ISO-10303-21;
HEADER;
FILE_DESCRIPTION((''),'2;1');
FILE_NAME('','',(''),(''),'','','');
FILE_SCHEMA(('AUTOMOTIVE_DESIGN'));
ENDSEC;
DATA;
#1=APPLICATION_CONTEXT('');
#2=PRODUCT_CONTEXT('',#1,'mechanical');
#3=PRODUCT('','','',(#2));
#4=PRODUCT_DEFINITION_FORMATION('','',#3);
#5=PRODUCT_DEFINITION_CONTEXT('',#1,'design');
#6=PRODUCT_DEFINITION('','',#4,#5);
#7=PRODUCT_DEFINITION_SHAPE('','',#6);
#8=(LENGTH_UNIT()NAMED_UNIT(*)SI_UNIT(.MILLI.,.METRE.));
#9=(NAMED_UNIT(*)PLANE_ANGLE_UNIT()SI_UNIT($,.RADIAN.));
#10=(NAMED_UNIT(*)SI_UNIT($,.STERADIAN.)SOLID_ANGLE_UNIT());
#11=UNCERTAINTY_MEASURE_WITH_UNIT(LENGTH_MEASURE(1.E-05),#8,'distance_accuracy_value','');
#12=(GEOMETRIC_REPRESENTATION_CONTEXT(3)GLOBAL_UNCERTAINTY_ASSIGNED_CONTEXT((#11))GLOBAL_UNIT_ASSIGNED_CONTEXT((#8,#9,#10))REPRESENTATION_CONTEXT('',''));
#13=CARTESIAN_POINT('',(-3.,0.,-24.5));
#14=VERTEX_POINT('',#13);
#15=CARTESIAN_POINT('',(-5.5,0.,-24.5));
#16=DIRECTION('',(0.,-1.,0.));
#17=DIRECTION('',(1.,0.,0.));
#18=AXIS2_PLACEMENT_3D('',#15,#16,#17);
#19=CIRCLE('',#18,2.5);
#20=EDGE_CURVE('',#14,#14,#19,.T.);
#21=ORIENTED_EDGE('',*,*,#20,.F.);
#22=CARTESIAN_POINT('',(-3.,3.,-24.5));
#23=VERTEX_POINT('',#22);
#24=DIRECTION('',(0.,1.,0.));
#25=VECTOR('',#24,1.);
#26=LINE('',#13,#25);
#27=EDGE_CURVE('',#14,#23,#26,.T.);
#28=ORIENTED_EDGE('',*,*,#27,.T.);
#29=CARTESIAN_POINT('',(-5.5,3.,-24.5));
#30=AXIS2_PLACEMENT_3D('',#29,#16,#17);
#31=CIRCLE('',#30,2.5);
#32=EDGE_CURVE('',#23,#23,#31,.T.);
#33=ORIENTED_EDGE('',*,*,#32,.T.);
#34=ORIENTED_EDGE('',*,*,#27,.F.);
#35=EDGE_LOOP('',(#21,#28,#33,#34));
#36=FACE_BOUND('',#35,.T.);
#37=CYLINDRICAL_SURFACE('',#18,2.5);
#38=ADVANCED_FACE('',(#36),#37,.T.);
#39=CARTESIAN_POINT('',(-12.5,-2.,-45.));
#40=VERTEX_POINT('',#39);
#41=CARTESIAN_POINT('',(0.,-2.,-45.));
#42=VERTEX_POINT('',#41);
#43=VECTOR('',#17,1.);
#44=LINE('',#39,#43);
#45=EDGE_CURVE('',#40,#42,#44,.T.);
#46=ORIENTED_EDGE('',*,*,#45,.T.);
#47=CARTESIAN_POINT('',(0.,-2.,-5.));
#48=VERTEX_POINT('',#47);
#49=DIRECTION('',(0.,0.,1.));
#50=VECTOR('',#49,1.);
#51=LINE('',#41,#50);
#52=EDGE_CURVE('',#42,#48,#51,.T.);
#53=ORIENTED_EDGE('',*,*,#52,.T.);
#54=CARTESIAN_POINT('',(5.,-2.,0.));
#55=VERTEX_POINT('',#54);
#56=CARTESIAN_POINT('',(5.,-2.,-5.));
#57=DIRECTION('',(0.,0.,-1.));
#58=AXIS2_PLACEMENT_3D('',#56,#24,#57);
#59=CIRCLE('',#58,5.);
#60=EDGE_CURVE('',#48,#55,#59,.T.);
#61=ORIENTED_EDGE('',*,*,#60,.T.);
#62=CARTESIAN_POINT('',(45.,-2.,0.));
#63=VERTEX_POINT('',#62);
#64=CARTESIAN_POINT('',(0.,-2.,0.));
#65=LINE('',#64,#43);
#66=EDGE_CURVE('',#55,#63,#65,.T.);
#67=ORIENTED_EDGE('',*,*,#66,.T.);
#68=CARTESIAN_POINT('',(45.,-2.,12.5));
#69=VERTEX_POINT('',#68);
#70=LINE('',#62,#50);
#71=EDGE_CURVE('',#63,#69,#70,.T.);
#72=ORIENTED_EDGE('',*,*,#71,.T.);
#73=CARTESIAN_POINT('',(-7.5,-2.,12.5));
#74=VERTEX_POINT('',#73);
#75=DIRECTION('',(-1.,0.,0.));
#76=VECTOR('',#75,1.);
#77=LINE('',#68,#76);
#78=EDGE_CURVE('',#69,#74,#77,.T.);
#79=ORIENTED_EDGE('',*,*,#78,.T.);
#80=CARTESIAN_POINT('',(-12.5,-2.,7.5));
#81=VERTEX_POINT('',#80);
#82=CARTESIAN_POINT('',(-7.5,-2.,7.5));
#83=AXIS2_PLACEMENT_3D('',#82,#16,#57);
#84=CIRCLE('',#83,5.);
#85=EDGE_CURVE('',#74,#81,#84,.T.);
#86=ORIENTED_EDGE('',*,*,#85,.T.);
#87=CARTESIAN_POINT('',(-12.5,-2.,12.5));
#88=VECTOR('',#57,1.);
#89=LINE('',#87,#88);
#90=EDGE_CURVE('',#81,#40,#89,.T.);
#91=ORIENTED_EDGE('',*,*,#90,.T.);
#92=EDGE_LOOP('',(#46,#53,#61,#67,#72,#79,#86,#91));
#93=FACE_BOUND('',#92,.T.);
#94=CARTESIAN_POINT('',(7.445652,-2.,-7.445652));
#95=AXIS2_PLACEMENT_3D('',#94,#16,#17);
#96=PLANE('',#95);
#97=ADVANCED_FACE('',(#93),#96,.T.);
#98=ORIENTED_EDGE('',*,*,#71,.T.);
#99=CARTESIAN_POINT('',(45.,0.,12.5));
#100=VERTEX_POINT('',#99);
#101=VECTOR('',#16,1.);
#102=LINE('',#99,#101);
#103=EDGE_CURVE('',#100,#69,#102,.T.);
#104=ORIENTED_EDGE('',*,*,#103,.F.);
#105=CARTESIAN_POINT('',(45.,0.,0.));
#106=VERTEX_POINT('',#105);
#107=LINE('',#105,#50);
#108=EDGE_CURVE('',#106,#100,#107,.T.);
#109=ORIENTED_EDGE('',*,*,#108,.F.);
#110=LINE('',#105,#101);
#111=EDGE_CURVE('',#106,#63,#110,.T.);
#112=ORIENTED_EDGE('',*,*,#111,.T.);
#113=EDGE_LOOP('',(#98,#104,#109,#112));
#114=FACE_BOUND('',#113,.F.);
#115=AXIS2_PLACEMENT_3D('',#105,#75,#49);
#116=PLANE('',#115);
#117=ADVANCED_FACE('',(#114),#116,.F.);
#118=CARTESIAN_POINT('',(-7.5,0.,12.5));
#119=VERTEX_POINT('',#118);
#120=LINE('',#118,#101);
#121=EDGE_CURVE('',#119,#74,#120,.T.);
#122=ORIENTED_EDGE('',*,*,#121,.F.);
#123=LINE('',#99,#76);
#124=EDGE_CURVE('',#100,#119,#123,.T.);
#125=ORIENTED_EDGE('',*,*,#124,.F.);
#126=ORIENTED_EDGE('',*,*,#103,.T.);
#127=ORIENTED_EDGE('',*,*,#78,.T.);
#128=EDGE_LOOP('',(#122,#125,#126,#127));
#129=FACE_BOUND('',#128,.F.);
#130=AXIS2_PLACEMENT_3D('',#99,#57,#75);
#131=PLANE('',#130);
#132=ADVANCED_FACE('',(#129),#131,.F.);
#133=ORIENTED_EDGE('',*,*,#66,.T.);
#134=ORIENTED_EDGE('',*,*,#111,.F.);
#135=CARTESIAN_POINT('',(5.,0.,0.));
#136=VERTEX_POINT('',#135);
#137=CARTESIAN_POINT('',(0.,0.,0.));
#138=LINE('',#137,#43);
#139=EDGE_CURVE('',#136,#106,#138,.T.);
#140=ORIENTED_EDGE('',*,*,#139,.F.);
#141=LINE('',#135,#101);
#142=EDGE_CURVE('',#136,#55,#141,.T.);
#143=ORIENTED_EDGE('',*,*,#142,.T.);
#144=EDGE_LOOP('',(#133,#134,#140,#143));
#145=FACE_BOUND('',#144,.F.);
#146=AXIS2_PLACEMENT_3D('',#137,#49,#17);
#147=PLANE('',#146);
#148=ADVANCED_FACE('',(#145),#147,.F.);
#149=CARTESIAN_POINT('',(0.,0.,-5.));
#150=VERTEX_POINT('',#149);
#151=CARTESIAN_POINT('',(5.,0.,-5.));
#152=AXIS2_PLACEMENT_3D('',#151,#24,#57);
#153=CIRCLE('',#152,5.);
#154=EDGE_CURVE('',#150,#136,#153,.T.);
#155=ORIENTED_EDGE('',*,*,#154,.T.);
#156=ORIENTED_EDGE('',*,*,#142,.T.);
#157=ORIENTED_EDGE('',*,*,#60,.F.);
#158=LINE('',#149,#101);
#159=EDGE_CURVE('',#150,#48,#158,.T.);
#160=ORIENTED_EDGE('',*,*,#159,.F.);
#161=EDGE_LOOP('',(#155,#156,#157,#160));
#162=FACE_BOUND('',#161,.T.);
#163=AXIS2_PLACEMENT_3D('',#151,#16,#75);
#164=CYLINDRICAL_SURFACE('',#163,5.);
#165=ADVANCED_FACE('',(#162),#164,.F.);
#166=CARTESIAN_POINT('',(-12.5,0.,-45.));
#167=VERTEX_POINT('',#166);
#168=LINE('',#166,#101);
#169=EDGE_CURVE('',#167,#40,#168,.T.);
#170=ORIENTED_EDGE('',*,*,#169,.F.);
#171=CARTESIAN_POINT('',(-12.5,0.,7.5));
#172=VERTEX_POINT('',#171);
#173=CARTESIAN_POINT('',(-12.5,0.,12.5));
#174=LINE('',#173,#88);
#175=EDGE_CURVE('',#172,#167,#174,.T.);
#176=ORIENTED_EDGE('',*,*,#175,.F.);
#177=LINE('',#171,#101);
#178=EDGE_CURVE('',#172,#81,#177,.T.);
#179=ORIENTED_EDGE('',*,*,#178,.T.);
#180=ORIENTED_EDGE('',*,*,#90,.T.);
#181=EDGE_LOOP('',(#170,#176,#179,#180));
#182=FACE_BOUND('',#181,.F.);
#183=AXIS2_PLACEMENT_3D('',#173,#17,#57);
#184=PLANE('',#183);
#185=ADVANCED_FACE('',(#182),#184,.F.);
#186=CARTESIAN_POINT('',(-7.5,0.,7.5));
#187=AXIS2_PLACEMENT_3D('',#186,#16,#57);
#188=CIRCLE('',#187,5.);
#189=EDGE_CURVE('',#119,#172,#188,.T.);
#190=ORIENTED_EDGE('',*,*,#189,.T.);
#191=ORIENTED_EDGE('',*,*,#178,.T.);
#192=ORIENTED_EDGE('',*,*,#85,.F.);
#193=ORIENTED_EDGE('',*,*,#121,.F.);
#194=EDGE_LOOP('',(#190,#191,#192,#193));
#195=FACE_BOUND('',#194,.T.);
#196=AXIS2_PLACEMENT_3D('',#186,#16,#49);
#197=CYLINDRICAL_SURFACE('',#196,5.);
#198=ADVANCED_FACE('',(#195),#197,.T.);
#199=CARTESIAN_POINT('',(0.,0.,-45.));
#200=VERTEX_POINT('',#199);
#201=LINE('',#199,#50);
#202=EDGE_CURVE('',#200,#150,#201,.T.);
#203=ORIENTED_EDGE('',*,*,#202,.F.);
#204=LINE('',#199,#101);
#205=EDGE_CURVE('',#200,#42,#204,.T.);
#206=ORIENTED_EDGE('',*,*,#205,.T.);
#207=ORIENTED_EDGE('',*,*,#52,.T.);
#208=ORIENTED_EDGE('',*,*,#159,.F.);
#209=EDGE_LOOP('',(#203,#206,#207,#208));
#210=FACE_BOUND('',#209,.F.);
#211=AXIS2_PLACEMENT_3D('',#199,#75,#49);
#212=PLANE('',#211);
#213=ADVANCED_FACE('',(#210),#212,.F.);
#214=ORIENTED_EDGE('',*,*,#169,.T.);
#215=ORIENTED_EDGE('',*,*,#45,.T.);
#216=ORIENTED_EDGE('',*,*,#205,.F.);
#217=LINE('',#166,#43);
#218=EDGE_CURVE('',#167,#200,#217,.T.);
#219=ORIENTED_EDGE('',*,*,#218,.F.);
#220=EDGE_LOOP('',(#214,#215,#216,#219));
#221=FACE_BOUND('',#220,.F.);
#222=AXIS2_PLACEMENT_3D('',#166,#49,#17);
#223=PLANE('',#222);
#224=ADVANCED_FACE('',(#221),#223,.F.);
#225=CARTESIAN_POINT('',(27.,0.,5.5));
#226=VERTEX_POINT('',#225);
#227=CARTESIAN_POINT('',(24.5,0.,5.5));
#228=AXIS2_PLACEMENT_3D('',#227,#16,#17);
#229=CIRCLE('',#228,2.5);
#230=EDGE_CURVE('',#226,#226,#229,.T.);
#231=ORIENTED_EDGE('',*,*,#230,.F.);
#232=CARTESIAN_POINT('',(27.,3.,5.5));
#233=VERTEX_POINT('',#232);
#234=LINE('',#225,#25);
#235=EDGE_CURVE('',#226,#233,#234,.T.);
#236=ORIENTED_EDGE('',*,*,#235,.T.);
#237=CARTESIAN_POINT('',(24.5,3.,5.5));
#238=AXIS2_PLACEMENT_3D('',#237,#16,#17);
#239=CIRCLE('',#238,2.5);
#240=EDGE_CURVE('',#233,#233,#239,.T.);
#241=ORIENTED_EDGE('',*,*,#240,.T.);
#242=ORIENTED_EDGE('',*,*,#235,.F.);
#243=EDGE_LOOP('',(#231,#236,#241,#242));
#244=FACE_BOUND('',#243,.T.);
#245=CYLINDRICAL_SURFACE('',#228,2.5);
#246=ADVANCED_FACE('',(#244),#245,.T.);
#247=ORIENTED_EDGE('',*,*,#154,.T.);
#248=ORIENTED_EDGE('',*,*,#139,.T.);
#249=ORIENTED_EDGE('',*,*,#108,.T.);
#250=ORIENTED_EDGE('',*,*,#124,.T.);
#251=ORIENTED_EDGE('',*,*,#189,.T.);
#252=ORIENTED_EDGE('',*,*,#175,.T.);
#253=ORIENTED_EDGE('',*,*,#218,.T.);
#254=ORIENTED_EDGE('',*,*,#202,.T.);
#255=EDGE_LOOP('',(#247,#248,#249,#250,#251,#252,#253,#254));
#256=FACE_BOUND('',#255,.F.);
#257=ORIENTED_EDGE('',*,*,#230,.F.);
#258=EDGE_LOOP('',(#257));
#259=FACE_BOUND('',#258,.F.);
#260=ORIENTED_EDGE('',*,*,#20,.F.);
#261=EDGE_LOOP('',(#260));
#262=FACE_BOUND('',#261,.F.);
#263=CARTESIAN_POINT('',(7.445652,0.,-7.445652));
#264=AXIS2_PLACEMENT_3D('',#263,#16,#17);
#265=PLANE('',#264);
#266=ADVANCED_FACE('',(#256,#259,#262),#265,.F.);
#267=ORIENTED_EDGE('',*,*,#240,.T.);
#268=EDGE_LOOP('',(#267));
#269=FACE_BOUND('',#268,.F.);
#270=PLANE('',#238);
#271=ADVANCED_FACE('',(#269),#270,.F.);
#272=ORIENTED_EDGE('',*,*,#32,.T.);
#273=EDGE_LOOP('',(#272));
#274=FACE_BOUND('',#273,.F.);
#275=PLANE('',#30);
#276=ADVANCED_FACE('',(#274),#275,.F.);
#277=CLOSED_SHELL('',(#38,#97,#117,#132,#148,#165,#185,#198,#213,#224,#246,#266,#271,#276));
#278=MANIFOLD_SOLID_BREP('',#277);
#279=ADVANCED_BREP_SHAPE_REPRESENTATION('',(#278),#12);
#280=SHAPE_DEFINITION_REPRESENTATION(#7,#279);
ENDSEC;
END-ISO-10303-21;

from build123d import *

# Parameters (mm, degrees)
F1_DEPTH = 2
F2_R     = 5
F3_R     = 2.5
F4_DEPTH = 3


with BuildPart() as f1:
    # F0 (on Front) → F1 (new body)
    with BuildSketch(Plane.XZ):
        Polygon((45, 12.5), (-12.5, 12.5), (-12.5, -45), (0, -45), (0, 0), (45, 0), align=None)
    extrude(amount=F1_DEPTH)

    # F2
    f2_edges = [f1.edges().sort_by_distance(p)[0] for p in [
        (-12.5, -1, 12.5),
        (0, -1, 0),
    ]]
    fillet(f2_edges, radius=F2_R)

    # F3 (on Front) → F4 (join)
    with BuildSketch(Plane.XZ):
        with Locations((24.5, 5.5)):
            Circle(F3_R)
        with Locations((-5.5, -24.5)):
            Circle(F3_R)
    extrude(amount=-F4_DEPTH)


solid = f1.part
